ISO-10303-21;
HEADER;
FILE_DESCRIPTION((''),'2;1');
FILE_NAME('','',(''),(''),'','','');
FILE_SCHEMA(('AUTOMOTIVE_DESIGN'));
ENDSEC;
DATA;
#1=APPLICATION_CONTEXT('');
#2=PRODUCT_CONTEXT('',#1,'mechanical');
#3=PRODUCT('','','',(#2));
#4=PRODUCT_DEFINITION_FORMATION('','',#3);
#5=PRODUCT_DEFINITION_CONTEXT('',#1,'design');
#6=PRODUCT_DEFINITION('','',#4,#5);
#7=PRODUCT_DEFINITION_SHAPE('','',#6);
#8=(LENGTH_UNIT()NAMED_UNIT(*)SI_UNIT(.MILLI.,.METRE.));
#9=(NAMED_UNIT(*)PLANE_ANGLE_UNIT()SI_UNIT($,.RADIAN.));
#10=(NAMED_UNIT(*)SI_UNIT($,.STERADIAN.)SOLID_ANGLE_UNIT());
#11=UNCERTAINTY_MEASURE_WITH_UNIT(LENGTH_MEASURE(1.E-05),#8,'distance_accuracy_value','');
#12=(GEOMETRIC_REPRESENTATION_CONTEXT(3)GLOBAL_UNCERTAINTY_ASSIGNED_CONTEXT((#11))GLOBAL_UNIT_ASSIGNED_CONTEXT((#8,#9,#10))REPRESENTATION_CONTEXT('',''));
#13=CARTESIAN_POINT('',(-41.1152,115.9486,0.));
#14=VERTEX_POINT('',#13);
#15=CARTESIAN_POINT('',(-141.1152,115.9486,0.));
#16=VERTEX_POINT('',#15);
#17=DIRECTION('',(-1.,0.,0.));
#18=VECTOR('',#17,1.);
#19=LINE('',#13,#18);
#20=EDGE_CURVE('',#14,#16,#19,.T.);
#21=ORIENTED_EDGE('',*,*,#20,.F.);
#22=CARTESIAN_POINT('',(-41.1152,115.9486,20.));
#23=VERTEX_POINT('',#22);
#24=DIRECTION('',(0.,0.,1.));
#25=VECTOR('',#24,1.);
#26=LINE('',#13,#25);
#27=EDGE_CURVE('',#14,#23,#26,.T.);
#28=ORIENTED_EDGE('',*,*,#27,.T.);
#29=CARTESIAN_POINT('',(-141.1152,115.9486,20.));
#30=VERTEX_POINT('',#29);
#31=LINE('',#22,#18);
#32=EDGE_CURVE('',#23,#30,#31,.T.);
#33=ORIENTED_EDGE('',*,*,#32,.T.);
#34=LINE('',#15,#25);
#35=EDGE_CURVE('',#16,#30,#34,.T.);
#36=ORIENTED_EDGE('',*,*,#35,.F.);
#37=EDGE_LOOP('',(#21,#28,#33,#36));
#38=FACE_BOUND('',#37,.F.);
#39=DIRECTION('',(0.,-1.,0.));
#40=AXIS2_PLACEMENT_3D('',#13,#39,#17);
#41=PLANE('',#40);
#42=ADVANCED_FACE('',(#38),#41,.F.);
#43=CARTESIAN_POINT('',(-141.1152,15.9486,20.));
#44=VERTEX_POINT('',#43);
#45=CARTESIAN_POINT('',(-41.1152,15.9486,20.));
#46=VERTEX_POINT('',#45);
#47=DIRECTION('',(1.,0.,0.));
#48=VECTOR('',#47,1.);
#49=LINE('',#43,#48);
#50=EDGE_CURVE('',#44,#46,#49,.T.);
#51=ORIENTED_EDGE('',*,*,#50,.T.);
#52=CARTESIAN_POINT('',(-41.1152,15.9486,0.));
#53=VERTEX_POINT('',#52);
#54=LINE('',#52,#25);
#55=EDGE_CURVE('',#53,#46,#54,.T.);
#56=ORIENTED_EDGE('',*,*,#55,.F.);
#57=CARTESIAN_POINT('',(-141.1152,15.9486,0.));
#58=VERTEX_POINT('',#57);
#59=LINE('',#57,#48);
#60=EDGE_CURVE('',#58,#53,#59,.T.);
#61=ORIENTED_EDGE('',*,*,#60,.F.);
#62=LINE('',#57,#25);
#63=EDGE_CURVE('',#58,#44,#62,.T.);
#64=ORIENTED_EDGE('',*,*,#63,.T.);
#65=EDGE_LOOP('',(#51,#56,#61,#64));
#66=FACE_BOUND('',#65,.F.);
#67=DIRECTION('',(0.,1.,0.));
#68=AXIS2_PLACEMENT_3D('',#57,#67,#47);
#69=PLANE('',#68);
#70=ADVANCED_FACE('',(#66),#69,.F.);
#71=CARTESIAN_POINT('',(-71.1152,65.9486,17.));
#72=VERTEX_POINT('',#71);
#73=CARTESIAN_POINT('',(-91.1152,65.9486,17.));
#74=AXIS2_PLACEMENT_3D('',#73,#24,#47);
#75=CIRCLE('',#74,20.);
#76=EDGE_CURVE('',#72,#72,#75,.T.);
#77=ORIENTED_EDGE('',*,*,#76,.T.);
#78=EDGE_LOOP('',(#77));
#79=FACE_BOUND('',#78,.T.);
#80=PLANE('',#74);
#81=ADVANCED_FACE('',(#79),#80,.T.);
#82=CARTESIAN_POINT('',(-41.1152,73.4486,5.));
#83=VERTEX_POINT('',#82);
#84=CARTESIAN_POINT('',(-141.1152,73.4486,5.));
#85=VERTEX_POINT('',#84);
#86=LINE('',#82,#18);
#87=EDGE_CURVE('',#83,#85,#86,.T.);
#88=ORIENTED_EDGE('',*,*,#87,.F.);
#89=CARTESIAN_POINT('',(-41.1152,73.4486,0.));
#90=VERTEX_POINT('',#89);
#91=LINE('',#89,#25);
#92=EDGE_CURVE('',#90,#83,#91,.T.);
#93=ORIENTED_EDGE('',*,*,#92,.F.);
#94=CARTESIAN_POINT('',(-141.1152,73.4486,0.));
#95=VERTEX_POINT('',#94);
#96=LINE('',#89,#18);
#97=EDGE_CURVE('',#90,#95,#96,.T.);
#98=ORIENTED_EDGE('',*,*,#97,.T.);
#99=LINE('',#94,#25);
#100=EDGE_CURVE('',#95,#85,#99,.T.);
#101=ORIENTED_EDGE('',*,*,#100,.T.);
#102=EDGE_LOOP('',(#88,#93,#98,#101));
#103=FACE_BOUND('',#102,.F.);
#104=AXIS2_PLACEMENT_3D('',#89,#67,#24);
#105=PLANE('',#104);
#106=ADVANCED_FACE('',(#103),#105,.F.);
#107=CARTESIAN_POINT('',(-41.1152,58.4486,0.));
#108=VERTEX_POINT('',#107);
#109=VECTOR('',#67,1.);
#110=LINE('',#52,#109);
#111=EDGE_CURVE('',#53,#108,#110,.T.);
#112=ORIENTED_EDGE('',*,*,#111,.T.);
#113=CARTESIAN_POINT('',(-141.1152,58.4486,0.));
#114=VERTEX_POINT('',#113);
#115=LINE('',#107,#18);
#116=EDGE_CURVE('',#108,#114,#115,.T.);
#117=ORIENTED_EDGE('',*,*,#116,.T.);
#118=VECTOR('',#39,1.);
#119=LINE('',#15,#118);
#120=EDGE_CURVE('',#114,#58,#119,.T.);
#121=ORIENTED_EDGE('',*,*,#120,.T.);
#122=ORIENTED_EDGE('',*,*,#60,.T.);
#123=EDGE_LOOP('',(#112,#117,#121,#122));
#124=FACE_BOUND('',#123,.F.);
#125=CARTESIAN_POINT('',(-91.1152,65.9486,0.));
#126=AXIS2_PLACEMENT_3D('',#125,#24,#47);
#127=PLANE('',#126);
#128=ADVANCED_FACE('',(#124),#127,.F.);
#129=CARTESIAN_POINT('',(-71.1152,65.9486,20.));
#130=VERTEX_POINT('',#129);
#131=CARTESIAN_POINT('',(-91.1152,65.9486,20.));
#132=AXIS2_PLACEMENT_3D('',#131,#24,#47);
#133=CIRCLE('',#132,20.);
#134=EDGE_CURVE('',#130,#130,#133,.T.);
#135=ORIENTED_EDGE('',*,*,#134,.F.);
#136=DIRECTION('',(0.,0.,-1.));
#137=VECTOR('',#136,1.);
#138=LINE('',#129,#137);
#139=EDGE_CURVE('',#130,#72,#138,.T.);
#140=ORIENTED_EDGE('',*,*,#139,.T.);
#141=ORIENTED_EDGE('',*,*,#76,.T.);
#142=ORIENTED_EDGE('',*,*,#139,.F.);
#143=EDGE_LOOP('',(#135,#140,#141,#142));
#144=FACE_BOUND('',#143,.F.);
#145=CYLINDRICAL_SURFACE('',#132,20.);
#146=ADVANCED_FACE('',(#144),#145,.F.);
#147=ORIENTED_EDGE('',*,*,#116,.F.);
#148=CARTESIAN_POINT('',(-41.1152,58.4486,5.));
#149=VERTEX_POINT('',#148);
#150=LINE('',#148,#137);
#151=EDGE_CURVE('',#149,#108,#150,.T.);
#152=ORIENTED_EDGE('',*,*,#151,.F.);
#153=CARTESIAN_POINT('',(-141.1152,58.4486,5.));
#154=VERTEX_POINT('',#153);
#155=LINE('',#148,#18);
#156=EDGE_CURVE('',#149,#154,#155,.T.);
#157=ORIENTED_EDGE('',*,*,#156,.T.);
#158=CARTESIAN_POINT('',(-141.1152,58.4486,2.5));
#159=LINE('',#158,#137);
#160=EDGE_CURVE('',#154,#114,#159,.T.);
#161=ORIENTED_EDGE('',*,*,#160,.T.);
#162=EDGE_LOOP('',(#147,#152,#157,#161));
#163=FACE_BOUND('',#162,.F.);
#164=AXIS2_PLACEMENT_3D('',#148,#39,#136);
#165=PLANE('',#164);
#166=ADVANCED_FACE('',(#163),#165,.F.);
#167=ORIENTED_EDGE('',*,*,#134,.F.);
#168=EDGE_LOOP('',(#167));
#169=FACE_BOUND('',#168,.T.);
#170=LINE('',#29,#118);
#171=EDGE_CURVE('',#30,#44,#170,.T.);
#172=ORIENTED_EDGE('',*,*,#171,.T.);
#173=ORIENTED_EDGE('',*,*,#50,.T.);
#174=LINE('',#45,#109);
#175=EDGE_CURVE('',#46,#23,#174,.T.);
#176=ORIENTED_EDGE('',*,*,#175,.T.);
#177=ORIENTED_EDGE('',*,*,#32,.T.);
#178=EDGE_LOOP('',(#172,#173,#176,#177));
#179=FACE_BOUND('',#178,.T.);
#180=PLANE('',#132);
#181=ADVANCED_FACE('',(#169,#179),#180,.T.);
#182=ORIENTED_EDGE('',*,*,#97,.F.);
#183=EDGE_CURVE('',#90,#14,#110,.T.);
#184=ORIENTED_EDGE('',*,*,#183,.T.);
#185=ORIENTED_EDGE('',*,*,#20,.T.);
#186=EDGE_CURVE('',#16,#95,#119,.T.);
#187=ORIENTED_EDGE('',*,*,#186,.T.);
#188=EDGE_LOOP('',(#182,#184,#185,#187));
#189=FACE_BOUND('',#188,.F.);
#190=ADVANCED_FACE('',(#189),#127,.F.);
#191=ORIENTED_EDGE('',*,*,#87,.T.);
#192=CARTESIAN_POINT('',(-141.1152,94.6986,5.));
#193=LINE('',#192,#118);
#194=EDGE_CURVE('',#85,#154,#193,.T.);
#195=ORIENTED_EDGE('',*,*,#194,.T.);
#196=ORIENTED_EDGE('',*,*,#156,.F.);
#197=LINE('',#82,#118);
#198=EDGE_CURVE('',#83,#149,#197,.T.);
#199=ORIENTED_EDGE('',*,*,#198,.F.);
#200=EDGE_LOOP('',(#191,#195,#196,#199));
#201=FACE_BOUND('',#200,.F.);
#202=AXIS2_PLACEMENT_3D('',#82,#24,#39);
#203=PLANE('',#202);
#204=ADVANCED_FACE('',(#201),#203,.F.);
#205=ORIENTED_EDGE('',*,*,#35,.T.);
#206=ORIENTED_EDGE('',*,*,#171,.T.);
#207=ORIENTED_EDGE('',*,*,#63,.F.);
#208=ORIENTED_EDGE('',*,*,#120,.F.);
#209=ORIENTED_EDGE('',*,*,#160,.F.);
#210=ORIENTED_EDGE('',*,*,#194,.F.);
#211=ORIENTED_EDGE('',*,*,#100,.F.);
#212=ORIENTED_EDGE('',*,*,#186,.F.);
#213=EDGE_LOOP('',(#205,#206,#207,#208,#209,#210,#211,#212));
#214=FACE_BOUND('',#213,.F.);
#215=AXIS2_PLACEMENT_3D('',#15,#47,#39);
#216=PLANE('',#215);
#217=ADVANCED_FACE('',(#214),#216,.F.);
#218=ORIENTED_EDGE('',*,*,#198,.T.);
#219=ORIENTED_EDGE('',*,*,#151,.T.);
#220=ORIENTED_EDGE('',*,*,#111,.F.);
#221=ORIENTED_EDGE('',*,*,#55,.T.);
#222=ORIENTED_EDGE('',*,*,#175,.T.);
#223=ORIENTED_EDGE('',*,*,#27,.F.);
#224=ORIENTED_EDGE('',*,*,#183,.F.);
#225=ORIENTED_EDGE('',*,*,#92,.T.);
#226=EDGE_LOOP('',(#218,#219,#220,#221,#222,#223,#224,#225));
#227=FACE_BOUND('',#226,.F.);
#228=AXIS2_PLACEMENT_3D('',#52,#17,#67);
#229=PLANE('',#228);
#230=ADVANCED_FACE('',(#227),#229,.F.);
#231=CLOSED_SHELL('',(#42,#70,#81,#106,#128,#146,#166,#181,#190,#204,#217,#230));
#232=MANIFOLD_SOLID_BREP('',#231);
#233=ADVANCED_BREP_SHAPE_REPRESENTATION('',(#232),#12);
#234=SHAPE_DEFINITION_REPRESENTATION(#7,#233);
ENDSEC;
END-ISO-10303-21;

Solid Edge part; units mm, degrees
sketch "Sketch1" plane through (0, 0, 0) normal (0, 0, 1) x (1, 0, 0)
  line L0 (-141.1152, 15.9486) -> (-41.1152, 15.9486)
  line L1 (-41.1152, 15.9486) -> (-41.1152, 115.9486)
  line L2 (-41.1152, 115.9486) -> (-141.1152, 115.9486)
  line L3 (-141.1152, 115.9486) -> (-141.1152, 15.9486)
  dimension "D1" = 100
  dimension "D2" = 100
extrude "Protrusion1" add sketch "Sketch1" along normal blind 20
sketch "Sketch2" plane through (-66.1152, 40.9486, 20) normal (0, 0, 1) x (1, 0, 0)
  circle A0 centre (-25, 25) radius 20
  dimension "D1" = 50
  dimension "D2" = 50
extrude "ExtrudedCutout_1" cut sketch "Sketch2" against normal blind 3
sketch "Sketch3" plane through (-41.1152, 65.9486, 10) normal (1, 0, 0) x (0, 1, 0)
  line L0 (-7.5, -10) -> (7.5, -10)
  line L1 (7.5, -10) -> (7.5, -5)
  line L2 (7.5, -5) -> (-7.5, -5)
  line L3 (-7.5, -5) -> (-7.5, -10)
  dimension "D1" = 15
  dimension "D2" = 5
extrude "Cutout1" cut sketch "Sketch3" against normal through all
properties material "Aluminum, 6061-T6"
